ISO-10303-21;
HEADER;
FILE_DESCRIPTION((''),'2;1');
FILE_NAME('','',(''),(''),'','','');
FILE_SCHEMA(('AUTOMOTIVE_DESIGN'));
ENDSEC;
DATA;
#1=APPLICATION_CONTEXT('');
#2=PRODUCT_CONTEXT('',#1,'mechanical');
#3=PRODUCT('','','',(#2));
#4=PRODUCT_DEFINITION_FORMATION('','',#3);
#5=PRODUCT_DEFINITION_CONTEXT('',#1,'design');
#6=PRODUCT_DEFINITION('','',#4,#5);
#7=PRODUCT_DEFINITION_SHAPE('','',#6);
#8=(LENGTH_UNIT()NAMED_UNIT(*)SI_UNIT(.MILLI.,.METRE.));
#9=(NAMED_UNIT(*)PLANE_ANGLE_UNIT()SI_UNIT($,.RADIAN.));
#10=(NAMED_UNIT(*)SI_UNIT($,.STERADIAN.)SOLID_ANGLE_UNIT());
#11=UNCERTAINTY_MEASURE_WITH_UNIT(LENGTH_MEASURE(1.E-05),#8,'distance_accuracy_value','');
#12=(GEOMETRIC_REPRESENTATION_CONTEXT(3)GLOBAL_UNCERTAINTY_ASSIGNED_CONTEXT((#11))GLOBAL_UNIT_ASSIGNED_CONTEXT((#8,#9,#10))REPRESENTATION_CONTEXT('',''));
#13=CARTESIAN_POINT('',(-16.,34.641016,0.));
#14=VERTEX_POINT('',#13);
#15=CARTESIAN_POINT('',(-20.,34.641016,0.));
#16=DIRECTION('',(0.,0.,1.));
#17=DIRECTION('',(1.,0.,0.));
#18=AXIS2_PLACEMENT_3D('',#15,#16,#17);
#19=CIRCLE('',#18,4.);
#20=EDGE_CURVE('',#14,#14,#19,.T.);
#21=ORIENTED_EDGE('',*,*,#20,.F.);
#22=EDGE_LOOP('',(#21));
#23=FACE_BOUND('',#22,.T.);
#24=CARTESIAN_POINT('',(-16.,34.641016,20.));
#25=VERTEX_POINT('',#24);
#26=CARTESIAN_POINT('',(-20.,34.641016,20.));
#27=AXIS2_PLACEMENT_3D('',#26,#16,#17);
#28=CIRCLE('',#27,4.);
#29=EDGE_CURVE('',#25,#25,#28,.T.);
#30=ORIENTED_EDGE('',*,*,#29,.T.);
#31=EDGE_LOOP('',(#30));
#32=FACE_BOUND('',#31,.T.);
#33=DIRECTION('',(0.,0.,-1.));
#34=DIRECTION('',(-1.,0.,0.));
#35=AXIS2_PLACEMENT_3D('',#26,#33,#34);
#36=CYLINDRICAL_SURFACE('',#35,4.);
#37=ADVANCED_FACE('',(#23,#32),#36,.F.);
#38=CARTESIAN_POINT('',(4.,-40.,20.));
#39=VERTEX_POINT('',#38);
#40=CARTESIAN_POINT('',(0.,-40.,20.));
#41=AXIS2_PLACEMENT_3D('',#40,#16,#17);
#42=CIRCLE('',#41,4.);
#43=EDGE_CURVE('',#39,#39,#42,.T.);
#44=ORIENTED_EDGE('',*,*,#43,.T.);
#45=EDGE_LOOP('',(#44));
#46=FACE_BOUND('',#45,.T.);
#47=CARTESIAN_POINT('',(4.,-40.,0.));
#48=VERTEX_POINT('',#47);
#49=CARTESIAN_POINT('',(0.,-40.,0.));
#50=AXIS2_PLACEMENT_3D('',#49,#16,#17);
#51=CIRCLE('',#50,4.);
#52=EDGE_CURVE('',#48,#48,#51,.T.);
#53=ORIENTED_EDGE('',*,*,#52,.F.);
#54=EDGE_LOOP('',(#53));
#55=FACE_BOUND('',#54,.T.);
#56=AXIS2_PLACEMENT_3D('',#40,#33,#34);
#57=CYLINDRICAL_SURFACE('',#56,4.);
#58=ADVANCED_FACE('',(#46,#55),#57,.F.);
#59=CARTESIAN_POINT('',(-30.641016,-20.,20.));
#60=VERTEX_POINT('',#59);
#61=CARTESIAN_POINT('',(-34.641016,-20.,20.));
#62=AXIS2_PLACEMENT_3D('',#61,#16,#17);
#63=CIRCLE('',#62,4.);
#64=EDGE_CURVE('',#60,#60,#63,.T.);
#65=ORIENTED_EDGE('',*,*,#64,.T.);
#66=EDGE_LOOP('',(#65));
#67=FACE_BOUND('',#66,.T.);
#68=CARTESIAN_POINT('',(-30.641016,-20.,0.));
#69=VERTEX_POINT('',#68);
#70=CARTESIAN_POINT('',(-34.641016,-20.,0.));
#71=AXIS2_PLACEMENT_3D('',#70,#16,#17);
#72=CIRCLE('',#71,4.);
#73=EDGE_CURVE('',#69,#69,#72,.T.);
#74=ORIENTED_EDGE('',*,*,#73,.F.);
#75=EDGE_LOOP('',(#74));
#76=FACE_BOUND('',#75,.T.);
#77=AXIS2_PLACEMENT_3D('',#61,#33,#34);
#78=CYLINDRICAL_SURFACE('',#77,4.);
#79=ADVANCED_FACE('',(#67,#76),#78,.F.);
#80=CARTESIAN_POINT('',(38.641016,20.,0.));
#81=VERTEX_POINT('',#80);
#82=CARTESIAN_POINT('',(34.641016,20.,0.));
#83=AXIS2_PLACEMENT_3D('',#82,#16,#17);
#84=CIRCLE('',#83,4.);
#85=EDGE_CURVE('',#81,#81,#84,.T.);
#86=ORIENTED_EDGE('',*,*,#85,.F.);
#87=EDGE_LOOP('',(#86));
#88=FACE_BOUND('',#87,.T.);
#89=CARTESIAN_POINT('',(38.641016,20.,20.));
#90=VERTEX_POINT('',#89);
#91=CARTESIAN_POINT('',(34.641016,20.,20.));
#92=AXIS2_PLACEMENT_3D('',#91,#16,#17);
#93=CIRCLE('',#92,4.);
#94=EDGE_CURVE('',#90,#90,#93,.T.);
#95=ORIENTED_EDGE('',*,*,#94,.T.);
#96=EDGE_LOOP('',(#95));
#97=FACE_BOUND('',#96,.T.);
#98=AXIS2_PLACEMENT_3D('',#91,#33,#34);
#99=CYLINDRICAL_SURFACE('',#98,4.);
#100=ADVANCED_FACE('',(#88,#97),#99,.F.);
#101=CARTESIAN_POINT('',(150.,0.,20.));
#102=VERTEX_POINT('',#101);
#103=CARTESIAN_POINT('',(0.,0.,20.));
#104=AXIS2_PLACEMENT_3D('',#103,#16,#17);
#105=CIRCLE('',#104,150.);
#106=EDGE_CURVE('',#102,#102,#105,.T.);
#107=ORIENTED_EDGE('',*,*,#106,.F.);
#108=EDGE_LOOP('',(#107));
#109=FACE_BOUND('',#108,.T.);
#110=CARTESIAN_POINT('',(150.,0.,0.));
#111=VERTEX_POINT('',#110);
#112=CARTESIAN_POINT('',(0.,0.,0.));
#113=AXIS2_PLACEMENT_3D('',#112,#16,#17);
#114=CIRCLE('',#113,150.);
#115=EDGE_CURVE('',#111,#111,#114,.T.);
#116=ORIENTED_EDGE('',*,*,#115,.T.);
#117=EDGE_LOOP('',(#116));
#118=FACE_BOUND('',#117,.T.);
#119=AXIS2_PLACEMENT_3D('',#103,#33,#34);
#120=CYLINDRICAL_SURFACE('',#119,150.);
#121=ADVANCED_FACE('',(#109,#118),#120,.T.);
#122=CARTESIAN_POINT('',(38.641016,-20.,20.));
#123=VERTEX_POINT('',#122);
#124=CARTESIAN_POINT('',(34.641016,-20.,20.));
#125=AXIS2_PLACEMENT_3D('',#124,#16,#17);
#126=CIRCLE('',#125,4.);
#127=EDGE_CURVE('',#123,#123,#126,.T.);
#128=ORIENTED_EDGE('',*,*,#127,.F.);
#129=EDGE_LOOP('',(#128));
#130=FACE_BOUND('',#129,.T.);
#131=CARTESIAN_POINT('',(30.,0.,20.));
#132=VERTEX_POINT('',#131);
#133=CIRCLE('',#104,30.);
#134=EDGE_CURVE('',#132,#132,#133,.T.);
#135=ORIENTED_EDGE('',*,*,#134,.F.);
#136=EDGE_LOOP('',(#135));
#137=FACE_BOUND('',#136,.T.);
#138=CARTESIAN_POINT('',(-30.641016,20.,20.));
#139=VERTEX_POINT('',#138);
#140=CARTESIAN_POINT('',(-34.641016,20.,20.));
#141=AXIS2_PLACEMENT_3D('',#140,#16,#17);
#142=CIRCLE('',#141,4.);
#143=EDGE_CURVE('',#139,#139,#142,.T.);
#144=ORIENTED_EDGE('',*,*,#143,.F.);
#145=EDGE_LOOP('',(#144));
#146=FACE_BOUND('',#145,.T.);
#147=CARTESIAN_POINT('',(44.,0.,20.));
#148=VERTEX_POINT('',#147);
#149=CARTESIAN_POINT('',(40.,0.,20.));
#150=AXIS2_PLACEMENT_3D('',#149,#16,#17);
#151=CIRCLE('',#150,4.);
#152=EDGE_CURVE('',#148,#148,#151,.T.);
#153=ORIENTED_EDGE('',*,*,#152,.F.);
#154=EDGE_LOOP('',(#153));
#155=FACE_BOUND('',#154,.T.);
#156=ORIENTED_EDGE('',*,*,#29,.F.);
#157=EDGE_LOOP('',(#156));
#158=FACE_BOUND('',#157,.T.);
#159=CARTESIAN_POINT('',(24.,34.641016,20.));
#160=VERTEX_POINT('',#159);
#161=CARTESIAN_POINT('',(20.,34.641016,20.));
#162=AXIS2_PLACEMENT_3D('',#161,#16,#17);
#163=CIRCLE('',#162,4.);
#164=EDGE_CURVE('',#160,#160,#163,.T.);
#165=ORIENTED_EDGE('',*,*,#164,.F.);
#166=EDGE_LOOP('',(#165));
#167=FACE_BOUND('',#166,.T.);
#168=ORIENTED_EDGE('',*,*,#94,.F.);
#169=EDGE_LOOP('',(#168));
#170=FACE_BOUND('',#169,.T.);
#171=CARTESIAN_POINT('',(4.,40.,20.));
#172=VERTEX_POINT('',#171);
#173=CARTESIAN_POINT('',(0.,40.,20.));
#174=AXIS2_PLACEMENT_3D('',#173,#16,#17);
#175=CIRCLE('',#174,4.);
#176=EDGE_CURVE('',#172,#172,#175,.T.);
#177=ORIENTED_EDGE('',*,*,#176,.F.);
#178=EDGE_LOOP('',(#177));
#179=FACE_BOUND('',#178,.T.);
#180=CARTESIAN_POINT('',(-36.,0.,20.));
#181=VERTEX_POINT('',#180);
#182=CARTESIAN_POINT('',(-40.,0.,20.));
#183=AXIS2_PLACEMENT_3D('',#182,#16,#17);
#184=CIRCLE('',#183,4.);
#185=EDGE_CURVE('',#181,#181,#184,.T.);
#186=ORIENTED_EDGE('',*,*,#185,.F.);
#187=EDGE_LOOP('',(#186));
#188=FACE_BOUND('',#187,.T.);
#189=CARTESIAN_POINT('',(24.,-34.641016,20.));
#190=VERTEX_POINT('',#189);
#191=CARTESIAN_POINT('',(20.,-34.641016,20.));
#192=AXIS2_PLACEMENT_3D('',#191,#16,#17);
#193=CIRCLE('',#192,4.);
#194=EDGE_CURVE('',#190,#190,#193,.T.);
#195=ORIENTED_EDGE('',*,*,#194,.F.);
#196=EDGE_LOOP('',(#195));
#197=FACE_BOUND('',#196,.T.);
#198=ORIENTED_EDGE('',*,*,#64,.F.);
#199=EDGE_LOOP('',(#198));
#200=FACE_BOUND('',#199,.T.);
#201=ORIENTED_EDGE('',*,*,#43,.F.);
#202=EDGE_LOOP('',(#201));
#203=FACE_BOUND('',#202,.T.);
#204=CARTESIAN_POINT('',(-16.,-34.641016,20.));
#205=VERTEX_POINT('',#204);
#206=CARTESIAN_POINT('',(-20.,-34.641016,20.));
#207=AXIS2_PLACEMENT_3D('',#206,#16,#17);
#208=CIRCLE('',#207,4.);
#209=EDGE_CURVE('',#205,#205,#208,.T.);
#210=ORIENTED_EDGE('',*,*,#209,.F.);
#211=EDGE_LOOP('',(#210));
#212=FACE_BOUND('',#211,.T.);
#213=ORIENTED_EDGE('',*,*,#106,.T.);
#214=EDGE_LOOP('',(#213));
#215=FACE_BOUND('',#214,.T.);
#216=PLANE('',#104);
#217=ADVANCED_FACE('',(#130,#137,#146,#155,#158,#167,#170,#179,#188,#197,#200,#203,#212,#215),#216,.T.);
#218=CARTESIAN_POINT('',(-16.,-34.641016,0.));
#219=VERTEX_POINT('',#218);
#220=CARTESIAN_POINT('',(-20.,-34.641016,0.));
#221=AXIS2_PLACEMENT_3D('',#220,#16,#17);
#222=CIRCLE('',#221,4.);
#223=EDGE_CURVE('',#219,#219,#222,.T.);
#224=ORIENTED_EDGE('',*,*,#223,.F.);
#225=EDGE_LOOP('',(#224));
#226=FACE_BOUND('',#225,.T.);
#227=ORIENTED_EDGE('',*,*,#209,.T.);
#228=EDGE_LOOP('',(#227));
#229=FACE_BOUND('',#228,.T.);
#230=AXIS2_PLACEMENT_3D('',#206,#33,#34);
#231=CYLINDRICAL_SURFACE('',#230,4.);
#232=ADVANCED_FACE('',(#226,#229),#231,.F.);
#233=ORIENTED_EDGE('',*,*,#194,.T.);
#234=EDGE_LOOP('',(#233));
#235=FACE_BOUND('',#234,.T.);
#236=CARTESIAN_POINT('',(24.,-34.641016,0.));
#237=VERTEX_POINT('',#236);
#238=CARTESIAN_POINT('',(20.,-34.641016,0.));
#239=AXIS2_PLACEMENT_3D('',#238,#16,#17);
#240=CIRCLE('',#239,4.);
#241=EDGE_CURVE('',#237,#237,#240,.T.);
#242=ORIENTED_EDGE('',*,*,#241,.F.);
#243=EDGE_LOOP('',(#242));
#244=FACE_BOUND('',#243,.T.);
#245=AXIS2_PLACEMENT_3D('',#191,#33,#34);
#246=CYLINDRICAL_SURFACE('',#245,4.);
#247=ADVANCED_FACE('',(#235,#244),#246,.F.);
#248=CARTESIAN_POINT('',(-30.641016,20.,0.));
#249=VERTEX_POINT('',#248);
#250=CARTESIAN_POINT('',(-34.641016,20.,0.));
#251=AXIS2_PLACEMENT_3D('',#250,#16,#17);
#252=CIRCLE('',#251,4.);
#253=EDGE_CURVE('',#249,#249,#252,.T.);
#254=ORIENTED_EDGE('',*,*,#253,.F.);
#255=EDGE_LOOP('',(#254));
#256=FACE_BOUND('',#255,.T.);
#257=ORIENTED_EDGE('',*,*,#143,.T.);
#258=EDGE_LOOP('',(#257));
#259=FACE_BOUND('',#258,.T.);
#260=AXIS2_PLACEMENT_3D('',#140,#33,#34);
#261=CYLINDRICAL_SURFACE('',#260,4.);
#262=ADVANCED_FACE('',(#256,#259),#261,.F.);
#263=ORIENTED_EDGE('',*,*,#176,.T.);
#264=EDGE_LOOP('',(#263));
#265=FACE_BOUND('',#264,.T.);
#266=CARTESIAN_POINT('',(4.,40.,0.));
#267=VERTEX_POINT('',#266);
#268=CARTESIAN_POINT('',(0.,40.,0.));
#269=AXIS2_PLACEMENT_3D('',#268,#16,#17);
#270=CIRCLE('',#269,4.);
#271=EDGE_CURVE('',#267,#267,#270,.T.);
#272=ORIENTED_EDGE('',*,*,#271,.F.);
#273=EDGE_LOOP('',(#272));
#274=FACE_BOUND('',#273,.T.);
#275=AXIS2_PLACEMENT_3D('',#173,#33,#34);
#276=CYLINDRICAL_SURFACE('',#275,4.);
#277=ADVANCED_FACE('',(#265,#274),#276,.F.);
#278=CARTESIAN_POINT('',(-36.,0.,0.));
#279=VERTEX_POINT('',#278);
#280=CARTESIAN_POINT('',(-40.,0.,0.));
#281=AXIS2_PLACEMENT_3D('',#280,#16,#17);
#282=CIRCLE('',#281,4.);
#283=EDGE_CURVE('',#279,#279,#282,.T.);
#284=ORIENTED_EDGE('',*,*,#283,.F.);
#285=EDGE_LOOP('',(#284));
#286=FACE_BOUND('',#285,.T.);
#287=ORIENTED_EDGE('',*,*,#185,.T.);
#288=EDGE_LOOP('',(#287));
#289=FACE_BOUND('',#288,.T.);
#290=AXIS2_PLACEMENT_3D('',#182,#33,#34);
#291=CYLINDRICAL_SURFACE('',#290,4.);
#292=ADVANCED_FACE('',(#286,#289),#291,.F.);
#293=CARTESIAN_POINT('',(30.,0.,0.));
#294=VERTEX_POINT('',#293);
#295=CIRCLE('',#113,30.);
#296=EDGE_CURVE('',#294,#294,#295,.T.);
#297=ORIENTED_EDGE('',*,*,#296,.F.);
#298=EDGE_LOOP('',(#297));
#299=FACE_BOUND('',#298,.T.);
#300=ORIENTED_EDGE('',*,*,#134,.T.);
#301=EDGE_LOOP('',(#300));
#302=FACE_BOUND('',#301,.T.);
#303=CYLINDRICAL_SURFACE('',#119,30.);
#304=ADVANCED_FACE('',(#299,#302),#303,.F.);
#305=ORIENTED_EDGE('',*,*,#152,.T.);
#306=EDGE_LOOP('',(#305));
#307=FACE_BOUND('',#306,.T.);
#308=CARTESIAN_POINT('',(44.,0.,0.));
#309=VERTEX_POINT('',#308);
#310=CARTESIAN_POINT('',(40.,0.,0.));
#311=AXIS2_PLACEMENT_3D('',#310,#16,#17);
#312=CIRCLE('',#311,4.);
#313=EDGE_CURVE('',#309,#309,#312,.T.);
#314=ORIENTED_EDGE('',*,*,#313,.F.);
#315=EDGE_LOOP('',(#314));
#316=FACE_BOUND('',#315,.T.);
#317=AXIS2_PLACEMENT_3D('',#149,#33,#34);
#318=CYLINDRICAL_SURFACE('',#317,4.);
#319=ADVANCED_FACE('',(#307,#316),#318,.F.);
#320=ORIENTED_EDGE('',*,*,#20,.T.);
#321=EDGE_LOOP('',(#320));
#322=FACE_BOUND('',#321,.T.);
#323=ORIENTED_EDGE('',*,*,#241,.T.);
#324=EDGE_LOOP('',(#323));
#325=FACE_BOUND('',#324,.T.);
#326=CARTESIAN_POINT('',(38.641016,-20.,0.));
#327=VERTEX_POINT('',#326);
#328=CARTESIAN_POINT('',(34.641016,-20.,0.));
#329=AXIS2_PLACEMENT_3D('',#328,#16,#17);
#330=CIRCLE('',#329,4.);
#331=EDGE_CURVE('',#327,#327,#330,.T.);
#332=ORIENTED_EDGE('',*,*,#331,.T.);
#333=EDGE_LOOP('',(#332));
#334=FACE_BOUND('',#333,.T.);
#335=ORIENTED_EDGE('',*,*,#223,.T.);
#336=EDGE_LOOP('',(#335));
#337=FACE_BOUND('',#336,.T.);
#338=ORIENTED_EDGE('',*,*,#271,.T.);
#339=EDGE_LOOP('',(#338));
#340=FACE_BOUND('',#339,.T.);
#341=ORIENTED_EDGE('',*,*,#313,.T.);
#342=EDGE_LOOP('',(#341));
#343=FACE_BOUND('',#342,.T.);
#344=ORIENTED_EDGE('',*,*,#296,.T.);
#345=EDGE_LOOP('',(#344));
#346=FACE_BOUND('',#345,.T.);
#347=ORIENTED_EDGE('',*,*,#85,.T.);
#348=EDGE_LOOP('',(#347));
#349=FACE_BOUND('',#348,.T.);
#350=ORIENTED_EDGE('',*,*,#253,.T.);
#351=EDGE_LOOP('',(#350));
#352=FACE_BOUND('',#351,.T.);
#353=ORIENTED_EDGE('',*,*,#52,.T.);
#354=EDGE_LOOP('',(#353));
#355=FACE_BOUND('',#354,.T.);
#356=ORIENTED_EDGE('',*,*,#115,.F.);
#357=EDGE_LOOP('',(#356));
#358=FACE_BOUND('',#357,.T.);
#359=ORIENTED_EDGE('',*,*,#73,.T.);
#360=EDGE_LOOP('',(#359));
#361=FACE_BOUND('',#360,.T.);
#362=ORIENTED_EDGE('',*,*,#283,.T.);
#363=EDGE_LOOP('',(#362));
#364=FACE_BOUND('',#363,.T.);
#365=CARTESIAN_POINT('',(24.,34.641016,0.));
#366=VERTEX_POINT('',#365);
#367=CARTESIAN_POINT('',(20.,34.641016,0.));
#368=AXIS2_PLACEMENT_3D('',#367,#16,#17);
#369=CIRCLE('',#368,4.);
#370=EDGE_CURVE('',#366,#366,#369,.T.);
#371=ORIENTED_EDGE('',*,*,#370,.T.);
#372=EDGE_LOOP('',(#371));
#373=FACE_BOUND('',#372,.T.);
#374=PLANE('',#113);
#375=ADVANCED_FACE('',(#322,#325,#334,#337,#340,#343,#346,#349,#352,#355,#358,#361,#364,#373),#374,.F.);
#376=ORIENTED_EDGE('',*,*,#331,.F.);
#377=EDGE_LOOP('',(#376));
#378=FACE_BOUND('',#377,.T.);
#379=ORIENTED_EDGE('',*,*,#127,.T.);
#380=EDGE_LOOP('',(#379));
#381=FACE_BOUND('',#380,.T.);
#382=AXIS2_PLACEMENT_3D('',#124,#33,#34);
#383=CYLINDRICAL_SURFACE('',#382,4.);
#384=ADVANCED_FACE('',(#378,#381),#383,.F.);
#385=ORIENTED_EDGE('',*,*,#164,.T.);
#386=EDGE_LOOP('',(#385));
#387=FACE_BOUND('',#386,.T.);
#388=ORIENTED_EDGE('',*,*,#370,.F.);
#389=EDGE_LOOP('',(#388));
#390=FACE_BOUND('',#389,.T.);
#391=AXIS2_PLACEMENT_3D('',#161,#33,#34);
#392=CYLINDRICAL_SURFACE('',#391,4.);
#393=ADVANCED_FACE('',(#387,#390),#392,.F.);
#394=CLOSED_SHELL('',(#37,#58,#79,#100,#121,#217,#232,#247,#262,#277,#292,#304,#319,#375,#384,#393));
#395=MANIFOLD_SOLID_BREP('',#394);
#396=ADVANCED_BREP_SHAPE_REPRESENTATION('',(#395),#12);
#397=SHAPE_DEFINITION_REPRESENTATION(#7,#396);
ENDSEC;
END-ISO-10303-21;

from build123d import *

# Parameters (mm, degrees)
SKETCH1_R           = 150
SKETCH1_R_2         = 30
SKETCH1_R_3         = 4
BOSS_EXTRUDE1_DEPTH = 20


with BuildPart() as part:
    # Sketch1 → Boss-Extrude1 (new body)
    with BuildSketch(Plane.XY):
        Circle(SKETCH1_R)
        Circle(SKETCH1_R_2, mode=Mode.SUBTRACT)
        with Locations((0, 40)):
            Circle(SKETCH1_R_3, mode=Mode.SUBTRACT)
        with Locations((20, 34.641016151)):
            Circle(SKETCH1_R_3, mode=Mode.SUBTRACT)
        with Locations((34.641016151, 20)):
            Circle(SKETCH1_R_3, mode=Mode.SUBTRACT)
        with Locations((40, 0)):
            Circle(SKETCH1_R_3, mode=Mode.SUBTRACT)
        with Locations((34.641016151, -20)):
            Circle(SKETCH1_R_3, mode=Mode.SUBTRACT)
        with Locations((20, -34.641016151)):
            Circle(SKETCH1_R_3, mode=Mode.SUBTRACT)
        with Locations((0, -40)):
            Circle(SKETCH1_R_3, mode=Mode.SUBTRACT)
        with Locations((-20, -34.641016151)):
            Circle(SKETCH1_R_3, mode=Mode.SUBTRACT)
        with Locations((-34.641016151, -20)):
            Circle(SKETCH1_R_3, mode=Mode.SUBTRACT)
        with Locations((-40, 0)):
            Circle(SKETCH1_R_3, mode=Mode.SUBTRACT)
        with Locations((-34.641016151, 20)):
            Circle(SKETCH1_R_3, mode=Mode.SUBTRACT)
        with Locations((-20, 34.641016151)):
            Circle(SKETCH1_R_3, mode=Mode.SUBTRACT)
    extrude(amount=BOSS_EXTRUDE1_DEPTH)


solid = part.part
